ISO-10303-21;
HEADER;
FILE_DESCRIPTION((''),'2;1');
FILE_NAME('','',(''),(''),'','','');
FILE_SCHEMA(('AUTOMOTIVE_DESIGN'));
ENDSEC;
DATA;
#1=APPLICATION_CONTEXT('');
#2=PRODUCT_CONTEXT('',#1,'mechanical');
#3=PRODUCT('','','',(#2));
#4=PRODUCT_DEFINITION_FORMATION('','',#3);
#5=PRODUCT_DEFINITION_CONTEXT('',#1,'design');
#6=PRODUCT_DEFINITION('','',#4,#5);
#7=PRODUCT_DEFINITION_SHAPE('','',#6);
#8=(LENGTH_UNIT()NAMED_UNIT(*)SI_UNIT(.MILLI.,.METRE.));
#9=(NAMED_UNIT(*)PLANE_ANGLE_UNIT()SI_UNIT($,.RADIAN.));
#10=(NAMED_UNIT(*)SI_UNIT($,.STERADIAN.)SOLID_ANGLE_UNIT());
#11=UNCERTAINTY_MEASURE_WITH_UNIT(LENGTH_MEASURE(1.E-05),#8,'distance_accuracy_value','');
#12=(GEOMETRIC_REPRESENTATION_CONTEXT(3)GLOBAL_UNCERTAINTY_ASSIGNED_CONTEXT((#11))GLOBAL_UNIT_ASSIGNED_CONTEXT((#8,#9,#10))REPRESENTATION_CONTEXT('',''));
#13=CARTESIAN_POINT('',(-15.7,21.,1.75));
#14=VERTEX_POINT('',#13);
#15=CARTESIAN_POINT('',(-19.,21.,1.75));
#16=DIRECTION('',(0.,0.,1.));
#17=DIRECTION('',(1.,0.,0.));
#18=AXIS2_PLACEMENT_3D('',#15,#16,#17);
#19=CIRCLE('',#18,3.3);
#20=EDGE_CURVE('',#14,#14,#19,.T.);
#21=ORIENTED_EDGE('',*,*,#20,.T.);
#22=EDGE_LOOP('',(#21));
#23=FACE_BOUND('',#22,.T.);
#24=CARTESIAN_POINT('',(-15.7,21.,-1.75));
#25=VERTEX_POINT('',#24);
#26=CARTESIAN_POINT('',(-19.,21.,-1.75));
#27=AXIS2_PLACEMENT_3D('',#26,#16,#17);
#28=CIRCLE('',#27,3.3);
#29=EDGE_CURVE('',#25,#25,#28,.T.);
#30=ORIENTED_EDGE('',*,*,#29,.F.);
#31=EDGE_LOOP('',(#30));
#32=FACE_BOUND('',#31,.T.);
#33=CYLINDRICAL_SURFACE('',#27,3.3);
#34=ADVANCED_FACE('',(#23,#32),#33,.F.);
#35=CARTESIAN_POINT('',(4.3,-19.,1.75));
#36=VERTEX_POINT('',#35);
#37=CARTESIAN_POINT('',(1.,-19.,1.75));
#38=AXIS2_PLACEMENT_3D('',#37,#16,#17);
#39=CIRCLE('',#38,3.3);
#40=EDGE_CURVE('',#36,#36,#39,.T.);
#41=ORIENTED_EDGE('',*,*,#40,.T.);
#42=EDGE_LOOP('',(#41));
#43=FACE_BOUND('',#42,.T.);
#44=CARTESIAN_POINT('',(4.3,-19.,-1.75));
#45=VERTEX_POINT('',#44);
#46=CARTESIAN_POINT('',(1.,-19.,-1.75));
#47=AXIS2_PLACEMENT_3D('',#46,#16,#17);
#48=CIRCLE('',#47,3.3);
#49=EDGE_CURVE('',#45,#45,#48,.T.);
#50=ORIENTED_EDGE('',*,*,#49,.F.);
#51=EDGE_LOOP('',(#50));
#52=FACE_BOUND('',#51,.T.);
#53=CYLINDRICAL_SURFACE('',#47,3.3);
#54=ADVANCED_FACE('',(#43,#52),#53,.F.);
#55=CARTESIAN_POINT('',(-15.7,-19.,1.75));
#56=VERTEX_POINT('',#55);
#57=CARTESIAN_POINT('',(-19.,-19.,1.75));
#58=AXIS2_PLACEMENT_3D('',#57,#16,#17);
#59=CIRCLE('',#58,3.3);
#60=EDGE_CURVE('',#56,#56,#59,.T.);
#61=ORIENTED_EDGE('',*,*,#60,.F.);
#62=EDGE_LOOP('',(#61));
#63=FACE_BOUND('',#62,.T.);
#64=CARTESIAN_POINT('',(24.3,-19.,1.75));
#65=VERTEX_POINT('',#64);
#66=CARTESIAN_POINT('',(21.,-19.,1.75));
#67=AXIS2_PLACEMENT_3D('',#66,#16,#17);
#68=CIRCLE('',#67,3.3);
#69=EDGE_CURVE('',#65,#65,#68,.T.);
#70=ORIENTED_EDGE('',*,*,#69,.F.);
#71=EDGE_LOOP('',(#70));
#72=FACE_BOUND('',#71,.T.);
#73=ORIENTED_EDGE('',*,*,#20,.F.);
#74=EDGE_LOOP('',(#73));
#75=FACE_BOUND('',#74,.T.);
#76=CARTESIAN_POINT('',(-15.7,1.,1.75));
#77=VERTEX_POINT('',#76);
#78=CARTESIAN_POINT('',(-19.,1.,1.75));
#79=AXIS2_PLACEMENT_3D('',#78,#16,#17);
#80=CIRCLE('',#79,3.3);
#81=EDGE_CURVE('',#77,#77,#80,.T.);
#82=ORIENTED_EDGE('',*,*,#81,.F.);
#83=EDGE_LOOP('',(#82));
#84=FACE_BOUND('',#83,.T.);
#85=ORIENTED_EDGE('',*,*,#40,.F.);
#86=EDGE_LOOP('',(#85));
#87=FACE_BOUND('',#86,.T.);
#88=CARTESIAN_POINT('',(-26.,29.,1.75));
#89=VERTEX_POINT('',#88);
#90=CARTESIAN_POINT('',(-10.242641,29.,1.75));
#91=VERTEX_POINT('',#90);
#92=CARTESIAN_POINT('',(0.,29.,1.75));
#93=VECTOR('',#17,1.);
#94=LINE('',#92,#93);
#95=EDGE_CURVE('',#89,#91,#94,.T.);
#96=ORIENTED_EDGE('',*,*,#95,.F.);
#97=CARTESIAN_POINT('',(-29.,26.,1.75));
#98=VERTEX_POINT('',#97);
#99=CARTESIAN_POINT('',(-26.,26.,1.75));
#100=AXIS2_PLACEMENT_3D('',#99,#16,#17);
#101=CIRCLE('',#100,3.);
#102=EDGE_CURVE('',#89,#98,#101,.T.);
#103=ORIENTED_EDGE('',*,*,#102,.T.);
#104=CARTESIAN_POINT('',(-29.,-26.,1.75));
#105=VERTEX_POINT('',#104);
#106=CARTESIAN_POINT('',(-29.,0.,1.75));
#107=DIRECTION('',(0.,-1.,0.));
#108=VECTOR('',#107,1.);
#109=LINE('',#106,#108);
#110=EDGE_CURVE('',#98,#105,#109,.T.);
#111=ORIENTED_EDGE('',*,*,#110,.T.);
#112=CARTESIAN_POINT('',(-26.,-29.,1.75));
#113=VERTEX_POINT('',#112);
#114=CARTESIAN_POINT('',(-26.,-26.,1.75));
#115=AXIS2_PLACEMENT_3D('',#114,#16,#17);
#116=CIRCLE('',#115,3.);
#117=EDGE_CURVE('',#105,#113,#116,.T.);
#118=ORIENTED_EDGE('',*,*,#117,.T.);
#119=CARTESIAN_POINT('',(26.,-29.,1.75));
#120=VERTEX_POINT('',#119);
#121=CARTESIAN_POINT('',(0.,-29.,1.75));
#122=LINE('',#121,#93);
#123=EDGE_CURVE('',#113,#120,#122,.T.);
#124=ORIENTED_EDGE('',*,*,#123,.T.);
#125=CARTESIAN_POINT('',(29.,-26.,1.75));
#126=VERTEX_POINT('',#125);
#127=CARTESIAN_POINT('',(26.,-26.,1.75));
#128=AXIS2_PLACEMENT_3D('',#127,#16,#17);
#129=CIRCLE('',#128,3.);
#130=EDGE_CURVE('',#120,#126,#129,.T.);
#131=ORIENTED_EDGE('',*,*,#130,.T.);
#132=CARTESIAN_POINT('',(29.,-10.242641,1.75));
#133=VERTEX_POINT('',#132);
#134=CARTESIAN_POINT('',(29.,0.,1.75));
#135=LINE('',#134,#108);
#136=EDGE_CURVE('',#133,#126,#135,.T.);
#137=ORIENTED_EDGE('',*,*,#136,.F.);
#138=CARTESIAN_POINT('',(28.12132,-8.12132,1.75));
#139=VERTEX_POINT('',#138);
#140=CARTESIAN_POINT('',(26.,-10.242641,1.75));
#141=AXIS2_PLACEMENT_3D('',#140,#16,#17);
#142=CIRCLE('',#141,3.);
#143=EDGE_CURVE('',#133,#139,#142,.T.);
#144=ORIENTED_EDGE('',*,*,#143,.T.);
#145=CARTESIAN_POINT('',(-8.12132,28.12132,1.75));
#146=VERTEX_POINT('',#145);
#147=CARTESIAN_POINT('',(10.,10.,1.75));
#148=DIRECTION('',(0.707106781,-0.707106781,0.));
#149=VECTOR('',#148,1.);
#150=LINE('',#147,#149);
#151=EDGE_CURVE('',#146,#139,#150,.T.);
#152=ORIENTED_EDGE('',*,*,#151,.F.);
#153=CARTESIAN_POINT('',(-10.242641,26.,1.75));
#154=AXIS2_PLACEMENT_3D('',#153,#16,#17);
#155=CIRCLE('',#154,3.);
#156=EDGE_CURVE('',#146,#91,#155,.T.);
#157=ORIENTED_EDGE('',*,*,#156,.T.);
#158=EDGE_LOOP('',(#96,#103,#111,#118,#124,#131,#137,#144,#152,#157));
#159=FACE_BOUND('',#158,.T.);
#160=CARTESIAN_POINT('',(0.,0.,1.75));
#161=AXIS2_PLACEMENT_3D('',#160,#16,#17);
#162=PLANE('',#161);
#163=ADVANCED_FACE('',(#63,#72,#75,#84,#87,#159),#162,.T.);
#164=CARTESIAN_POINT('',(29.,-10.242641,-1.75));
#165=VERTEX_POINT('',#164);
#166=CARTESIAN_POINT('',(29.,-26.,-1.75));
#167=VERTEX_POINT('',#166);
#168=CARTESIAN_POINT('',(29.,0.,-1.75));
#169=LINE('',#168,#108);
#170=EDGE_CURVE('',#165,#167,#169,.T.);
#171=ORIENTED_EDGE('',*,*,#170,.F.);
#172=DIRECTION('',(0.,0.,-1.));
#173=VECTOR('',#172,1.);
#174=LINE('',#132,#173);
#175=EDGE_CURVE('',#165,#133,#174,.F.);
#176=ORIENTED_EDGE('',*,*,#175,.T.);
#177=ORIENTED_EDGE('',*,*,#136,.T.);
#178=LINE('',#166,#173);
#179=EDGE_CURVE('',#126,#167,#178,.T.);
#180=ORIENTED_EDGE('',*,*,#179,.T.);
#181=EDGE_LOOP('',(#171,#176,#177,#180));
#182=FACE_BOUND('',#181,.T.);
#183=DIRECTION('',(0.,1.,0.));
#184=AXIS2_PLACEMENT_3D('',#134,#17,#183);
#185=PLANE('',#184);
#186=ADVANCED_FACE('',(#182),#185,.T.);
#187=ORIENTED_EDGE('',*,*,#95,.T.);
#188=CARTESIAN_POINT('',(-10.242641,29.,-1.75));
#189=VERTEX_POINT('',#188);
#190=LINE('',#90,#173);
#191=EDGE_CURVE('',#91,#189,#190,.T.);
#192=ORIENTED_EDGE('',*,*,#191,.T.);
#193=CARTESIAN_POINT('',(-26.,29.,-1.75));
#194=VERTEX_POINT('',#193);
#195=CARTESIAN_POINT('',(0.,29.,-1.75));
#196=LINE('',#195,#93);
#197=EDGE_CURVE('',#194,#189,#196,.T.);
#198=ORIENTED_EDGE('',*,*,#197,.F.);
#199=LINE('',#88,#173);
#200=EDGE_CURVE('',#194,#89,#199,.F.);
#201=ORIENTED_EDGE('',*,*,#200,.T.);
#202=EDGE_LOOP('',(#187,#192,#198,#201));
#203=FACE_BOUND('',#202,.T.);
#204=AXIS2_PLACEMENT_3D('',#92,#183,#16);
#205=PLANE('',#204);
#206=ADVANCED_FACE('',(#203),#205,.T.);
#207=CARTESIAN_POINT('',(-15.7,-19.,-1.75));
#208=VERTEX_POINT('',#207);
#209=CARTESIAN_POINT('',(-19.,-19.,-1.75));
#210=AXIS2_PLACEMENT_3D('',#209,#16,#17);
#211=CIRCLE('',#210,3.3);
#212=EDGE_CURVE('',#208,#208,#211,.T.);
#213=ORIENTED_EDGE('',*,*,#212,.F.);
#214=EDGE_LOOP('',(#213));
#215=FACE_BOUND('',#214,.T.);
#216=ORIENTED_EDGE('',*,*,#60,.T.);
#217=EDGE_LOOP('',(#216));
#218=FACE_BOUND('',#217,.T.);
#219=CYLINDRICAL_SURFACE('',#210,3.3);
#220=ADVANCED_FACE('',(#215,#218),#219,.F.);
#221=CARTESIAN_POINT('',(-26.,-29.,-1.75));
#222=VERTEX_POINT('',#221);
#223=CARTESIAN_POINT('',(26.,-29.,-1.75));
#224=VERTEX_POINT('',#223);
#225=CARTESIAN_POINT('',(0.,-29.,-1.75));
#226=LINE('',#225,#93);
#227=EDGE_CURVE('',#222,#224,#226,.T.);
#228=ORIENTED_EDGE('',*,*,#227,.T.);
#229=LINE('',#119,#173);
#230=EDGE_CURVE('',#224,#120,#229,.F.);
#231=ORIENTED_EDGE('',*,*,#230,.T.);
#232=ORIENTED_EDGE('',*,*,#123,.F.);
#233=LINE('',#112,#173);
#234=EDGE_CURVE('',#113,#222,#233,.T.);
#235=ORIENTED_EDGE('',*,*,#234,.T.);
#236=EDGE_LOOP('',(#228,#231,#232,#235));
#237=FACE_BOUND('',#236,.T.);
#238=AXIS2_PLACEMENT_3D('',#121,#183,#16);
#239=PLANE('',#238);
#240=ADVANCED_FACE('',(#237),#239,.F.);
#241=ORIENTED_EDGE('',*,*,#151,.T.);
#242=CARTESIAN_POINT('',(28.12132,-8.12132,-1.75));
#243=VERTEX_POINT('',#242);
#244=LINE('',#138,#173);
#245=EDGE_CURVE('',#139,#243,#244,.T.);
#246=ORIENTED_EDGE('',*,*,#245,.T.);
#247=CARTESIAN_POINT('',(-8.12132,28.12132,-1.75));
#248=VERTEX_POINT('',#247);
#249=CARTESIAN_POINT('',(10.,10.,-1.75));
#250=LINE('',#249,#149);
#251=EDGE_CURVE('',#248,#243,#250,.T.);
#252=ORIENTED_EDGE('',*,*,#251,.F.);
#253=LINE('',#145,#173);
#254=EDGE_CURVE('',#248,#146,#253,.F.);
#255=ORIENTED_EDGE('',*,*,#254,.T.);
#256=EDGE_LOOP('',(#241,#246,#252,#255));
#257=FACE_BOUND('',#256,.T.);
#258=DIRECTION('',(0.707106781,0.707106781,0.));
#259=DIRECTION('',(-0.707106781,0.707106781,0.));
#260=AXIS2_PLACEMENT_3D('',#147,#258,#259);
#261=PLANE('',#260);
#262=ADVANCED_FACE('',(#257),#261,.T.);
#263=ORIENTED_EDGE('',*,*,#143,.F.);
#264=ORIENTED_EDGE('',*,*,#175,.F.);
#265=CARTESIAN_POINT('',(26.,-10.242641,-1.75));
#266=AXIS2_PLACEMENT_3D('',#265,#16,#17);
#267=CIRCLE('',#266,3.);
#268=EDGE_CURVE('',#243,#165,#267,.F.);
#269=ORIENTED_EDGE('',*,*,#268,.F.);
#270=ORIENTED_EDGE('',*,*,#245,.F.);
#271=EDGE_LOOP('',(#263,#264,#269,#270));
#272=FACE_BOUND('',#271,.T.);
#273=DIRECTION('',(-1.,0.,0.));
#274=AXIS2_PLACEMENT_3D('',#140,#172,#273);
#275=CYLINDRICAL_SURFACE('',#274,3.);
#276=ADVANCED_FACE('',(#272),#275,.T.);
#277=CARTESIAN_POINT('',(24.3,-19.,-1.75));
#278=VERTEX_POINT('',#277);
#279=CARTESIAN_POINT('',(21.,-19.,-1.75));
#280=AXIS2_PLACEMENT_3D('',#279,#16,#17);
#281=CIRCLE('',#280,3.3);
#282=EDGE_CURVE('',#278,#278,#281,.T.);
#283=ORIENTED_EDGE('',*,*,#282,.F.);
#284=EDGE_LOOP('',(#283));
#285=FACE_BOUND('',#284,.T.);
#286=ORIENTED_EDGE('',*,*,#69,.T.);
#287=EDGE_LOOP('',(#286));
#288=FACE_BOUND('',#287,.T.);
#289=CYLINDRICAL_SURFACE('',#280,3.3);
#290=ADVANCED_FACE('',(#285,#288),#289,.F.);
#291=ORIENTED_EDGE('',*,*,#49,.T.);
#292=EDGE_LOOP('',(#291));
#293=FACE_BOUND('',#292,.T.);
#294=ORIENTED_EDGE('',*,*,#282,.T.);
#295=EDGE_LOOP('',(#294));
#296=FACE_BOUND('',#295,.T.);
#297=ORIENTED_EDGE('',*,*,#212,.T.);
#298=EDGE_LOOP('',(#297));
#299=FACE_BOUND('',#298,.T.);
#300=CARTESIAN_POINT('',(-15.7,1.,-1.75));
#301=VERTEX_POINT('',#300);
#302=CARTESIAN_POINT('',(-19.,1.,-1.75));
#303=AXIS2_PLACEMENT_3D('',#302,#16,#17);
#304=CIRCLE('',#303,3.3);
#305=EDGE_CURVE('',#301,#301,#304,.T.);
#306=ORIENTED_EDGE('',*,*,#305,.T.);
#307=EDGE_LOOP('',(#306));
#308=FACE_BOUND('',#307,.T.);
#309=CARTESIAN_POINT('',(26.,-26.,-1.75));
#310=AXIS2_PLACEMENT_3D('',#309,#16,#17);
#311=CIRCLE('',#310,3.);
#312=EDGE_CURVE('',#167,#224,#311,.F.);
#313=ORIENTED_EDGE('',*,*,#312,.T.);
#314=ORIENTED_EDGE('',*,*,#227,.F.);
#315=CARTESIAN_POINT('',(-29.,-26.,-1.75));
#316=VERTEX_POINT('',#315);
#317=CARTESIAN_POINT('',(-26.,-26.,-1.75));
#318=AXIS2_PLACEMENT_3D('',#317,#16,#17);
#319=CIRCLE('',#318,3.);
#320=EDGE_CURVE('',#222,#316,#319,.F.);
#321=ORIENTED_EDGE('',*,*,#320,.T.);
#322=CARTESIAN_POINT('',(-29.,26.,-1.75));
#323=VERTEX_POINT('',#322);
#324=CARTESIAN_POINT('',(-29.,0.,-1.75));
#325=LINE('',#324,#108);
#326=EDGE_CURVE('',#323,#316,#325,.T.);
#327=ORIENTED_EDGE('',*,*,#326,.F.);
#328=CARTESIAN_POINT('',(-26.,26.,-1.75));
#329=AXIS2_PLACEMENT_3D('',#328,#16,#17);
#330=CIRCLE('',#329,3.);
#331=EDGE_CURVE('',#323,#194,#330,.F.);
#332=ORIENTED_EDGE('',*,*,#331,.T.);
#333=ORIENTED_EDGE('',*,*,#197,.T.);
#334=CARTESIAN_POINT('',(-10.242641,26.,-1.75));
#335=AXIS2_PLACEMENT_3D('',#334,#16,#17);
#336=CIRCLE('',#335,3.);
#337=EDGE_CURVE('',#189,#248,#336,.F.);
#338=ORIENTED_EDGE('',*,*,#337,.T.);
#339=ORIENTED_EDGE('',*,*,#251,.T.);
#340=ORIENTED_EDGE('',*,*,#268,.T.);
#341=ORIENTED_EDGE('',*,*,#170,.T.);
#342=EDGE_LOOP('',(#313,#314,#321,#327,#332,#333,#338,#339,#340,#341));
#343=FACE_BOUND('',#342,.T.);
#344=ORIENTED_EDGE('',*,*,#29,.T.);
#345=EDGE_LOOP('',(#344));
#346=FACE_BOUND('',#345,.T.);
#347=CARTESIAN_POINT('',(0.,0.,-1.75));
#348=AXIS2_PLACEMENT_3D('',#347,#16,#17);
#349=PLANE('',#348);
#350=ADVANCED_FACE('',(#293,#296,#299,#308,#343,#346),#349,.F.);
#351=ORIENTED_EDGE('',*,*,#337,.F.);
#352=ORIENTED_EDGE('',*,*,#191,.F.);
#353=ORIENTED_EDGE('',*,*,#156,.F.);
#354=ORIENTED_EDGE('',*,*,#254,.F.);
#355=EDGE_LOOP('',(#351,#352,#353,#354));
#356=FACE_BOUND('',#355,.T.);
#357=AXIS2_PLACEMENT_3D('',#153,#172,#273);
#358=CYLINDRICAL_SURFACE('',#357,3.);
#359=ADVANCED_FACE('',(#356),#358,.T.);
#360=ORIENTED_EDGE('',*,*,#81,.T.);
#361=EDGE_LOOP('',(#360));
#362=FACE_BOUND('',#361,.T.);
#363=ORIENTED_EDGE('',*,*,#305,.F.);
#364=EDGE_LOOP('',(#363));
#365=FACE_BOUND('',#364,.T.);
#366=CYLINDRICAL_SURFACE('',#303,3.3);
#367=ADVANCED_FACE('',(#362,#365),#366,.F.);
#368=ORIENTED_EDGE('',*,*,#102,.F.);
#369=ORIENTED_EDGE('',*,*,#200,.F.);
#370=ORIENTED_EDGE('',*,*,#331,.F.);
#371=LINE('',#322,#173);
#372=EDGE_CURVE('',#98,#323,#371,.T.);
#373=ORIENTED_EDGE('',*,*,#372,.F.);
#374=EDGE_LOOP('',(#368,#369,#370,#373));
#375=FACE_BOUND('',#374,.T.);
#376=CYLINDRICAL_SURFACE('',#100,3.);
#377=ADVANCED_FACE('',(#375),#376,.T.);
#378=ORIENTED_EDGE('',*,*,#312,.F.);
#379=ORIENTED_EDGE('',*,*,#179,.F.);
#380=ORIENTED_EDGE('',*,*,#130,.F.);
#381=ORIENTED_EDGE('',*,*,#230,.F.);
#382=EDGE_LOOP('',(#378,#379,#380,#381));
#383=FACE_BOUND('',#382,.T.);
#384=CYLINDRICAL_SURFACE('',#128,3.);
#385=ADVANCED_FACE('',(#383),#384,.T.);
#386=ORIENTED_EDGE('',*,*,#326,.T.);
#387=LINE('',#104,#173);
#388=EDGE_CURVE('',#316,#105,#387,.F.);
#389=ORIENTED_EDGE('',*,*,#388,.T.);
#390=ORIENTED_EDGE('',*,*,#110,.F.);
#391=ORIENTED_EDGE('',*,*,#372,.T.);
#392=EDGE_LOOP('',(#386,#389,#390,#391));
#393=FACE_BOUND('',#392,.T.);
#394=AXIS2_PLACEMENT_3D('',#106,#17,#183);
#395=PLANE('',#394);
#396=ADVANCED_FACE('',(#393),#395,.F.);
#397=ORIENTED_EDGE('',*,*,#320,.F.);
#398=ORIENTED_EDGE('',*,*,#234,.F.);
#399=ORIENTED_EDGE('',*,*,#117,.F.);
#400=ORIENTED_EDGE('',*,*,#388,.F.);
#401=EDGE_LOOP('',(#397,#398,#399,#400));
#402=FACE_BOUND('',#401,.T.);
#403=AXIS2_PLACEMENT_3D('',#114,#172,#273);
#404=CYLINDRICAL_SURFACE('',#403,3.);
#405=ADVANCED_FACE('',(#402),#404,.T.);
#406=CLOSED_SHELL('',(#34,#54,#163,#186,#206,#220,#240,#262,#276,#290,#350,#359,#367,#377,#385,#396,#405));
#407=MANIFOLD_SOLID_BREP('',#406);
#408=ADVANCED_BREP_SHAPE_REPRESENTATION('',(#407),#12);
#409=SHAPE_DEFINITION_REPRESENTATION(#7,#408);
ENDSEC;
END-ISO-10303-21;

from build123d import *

# Parameters (mm, degrees)
RESSALTO_EXTRUS_O1_DEPTH = 1.75
ESBO_O2_R                = 3.3
CORTE_EXTRUS_O1_DEPTH    = 42.161268202
FILETE1_R                = 3


with BuildPart() as part:
    # Esboço1 → Ressalto-extrusão1 (new, symmetric)
    with BuildSketch(Plane.XY):
        Polygon((29, -9), (-9, 29), (-29, 29), (-29, -29), (29, -29), align=None)
    extrude(amount=RESSALTO_EXTRUS_O1_DEPTH, both=True)

    # Esboço2 → Corte-extrusão1 (cut, through all)
    with BuildSketch(Plane.XY.offset(1.75)):
        with Locations((-19, -19)):
            Circle(ESBO_O2_R)
        with Locations((1, -19)):
            Circle(ESBO_O2_R)
        with Locations((21, -19)):
            Circle(ESBO_O2_R)
        with Locations((-19, 1)):
            Circle(ESBO_O2_R)
        with Locations((-19, 21)):
            Circle(ESBO_O2_R)
    extrude(amount=-CORTE_EXTRUS_O1_DEPTH, mode=Mode.SUBTRACT)

    # Filete1
    filete1_edges = [part.edges().sort_by_distance(p)[0] for p in [
        (29, -29, 0),
        (-29, -29, 0),
        (-29, 29, 0),
        (-9, 29, 0),
        (29, -9, 0),
    ]]
    fillet(filete1_edges, radius=FILETE1_R)


solid = part.part
